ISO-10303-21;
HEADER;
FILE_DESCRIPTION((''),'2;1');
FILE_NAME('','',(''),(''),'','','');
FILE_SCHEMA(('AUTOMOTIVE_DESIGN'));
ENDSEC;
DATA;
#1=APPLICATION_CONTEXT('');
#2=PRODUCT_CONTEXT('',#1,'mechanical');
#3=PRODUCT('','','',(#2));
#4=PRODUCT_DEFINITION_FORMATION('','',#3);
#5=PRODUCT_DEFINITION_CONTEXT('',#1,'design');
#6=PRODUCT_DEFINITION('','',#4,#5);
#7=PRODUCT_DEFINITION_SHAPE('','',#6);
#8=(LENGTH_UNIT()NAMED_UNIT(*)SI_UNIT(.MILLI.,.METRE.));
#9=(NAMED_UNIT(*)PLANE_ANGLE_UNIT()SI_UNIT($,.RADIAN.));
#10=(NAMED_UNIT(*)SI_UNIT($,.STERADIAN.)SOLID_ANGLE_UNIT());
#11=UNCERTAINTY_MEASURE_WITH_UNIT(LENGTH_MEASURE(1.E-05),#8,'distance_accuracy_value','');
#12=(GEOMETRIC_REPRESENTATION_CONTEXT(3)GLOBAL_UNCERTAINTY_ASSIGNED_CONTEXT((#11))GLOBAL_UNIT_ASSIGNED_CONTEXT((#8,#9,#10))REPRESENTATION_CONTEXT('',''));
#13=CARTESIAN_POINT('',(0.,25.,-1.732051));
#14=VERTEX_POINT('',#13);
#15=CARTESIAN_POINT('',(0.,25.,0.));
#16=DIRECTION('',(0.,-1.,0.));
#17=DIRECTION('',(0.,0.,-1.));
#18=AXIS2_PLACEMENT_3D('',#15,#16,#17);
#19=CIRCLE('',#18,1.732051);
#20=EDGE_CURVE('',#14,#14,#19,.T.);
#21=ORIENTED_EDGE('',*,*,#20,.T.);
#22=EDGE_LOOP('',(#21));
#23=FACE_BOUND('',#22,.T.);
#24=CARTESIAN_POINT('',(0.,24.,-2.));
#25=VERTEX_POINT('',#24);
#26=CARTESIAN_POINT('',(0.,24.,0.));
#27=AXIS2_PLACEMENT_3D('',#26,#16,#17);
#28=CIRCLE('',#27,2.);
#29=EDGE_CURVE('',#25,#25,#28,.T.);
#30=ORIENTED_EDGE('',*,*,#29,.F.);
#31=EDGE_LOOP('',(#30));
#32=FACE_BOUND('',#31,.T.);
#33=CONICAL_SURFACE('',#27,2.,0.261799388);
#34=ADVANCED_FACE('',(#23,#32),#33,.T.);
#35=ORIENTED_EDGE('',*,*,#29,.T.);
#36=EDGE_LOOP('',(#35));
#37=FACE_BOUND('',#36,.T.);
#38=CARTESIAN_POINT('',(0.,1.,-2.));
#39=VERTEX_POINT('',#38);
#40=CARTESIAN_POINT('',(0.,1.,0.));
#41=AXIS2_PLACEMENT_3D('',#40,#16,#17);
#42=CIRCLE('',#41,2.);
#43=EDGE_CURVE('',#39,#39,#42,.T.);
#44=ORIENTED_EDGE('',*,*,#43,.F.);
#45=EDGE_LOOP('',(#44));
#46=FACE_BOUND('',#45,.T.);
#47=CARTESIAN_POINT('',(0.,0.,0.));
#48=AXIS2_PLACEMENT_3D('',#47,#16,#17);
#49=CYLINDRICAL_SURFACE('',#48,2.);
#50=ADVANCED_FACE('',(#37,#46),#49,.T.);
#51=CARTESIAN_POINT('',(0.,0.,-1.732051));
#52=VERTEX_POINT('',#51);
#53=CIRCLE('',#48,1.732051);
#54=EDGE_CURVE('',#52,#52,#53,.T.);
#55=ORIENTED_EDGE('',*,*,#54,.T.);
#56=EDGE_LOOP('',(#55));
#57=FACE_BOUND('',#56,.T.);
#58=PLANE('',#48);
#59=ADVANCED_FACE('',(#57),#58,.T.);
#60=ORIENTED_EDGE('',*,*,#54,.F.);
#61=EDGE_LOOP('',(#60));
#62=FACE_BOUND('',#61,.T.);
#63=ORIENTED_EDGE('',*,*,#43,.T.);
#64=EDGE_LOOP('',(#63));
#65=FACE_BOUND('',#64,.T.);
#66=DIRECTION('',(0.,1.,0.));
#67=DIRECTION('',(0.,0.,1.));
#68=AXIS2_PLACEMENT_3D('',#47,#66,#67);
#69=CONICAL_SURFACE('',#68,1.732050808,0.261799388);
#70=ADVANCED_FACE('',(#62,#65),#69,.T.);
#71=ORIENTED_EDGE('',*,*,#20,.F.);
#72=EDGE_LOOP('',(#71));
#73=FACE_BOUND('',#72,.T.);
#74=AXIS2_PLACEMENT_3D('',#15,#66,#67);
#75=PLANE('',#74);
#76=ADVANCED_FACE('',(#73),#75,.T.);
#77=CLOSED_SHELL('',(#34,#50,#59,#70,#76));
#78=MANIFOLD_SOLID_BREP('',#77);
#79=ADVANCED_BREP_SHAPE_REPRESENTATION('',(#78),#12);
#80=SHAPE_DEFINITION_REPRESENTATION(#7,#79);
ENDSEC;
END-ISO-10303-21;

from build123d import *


with BuildPart() as part:
    # 草图2 → 旋转1 (revolve)
    with BuildSketch(Plane.XY):
        Polygon((1.732050808, 25), (2, 24), (2, 1), (1.732050808, 0), (0, 0), (0, 25), align=None)
    revolve(axis=Axis((0, 0, 0), (0, 1, 0)))


solid = part.part
